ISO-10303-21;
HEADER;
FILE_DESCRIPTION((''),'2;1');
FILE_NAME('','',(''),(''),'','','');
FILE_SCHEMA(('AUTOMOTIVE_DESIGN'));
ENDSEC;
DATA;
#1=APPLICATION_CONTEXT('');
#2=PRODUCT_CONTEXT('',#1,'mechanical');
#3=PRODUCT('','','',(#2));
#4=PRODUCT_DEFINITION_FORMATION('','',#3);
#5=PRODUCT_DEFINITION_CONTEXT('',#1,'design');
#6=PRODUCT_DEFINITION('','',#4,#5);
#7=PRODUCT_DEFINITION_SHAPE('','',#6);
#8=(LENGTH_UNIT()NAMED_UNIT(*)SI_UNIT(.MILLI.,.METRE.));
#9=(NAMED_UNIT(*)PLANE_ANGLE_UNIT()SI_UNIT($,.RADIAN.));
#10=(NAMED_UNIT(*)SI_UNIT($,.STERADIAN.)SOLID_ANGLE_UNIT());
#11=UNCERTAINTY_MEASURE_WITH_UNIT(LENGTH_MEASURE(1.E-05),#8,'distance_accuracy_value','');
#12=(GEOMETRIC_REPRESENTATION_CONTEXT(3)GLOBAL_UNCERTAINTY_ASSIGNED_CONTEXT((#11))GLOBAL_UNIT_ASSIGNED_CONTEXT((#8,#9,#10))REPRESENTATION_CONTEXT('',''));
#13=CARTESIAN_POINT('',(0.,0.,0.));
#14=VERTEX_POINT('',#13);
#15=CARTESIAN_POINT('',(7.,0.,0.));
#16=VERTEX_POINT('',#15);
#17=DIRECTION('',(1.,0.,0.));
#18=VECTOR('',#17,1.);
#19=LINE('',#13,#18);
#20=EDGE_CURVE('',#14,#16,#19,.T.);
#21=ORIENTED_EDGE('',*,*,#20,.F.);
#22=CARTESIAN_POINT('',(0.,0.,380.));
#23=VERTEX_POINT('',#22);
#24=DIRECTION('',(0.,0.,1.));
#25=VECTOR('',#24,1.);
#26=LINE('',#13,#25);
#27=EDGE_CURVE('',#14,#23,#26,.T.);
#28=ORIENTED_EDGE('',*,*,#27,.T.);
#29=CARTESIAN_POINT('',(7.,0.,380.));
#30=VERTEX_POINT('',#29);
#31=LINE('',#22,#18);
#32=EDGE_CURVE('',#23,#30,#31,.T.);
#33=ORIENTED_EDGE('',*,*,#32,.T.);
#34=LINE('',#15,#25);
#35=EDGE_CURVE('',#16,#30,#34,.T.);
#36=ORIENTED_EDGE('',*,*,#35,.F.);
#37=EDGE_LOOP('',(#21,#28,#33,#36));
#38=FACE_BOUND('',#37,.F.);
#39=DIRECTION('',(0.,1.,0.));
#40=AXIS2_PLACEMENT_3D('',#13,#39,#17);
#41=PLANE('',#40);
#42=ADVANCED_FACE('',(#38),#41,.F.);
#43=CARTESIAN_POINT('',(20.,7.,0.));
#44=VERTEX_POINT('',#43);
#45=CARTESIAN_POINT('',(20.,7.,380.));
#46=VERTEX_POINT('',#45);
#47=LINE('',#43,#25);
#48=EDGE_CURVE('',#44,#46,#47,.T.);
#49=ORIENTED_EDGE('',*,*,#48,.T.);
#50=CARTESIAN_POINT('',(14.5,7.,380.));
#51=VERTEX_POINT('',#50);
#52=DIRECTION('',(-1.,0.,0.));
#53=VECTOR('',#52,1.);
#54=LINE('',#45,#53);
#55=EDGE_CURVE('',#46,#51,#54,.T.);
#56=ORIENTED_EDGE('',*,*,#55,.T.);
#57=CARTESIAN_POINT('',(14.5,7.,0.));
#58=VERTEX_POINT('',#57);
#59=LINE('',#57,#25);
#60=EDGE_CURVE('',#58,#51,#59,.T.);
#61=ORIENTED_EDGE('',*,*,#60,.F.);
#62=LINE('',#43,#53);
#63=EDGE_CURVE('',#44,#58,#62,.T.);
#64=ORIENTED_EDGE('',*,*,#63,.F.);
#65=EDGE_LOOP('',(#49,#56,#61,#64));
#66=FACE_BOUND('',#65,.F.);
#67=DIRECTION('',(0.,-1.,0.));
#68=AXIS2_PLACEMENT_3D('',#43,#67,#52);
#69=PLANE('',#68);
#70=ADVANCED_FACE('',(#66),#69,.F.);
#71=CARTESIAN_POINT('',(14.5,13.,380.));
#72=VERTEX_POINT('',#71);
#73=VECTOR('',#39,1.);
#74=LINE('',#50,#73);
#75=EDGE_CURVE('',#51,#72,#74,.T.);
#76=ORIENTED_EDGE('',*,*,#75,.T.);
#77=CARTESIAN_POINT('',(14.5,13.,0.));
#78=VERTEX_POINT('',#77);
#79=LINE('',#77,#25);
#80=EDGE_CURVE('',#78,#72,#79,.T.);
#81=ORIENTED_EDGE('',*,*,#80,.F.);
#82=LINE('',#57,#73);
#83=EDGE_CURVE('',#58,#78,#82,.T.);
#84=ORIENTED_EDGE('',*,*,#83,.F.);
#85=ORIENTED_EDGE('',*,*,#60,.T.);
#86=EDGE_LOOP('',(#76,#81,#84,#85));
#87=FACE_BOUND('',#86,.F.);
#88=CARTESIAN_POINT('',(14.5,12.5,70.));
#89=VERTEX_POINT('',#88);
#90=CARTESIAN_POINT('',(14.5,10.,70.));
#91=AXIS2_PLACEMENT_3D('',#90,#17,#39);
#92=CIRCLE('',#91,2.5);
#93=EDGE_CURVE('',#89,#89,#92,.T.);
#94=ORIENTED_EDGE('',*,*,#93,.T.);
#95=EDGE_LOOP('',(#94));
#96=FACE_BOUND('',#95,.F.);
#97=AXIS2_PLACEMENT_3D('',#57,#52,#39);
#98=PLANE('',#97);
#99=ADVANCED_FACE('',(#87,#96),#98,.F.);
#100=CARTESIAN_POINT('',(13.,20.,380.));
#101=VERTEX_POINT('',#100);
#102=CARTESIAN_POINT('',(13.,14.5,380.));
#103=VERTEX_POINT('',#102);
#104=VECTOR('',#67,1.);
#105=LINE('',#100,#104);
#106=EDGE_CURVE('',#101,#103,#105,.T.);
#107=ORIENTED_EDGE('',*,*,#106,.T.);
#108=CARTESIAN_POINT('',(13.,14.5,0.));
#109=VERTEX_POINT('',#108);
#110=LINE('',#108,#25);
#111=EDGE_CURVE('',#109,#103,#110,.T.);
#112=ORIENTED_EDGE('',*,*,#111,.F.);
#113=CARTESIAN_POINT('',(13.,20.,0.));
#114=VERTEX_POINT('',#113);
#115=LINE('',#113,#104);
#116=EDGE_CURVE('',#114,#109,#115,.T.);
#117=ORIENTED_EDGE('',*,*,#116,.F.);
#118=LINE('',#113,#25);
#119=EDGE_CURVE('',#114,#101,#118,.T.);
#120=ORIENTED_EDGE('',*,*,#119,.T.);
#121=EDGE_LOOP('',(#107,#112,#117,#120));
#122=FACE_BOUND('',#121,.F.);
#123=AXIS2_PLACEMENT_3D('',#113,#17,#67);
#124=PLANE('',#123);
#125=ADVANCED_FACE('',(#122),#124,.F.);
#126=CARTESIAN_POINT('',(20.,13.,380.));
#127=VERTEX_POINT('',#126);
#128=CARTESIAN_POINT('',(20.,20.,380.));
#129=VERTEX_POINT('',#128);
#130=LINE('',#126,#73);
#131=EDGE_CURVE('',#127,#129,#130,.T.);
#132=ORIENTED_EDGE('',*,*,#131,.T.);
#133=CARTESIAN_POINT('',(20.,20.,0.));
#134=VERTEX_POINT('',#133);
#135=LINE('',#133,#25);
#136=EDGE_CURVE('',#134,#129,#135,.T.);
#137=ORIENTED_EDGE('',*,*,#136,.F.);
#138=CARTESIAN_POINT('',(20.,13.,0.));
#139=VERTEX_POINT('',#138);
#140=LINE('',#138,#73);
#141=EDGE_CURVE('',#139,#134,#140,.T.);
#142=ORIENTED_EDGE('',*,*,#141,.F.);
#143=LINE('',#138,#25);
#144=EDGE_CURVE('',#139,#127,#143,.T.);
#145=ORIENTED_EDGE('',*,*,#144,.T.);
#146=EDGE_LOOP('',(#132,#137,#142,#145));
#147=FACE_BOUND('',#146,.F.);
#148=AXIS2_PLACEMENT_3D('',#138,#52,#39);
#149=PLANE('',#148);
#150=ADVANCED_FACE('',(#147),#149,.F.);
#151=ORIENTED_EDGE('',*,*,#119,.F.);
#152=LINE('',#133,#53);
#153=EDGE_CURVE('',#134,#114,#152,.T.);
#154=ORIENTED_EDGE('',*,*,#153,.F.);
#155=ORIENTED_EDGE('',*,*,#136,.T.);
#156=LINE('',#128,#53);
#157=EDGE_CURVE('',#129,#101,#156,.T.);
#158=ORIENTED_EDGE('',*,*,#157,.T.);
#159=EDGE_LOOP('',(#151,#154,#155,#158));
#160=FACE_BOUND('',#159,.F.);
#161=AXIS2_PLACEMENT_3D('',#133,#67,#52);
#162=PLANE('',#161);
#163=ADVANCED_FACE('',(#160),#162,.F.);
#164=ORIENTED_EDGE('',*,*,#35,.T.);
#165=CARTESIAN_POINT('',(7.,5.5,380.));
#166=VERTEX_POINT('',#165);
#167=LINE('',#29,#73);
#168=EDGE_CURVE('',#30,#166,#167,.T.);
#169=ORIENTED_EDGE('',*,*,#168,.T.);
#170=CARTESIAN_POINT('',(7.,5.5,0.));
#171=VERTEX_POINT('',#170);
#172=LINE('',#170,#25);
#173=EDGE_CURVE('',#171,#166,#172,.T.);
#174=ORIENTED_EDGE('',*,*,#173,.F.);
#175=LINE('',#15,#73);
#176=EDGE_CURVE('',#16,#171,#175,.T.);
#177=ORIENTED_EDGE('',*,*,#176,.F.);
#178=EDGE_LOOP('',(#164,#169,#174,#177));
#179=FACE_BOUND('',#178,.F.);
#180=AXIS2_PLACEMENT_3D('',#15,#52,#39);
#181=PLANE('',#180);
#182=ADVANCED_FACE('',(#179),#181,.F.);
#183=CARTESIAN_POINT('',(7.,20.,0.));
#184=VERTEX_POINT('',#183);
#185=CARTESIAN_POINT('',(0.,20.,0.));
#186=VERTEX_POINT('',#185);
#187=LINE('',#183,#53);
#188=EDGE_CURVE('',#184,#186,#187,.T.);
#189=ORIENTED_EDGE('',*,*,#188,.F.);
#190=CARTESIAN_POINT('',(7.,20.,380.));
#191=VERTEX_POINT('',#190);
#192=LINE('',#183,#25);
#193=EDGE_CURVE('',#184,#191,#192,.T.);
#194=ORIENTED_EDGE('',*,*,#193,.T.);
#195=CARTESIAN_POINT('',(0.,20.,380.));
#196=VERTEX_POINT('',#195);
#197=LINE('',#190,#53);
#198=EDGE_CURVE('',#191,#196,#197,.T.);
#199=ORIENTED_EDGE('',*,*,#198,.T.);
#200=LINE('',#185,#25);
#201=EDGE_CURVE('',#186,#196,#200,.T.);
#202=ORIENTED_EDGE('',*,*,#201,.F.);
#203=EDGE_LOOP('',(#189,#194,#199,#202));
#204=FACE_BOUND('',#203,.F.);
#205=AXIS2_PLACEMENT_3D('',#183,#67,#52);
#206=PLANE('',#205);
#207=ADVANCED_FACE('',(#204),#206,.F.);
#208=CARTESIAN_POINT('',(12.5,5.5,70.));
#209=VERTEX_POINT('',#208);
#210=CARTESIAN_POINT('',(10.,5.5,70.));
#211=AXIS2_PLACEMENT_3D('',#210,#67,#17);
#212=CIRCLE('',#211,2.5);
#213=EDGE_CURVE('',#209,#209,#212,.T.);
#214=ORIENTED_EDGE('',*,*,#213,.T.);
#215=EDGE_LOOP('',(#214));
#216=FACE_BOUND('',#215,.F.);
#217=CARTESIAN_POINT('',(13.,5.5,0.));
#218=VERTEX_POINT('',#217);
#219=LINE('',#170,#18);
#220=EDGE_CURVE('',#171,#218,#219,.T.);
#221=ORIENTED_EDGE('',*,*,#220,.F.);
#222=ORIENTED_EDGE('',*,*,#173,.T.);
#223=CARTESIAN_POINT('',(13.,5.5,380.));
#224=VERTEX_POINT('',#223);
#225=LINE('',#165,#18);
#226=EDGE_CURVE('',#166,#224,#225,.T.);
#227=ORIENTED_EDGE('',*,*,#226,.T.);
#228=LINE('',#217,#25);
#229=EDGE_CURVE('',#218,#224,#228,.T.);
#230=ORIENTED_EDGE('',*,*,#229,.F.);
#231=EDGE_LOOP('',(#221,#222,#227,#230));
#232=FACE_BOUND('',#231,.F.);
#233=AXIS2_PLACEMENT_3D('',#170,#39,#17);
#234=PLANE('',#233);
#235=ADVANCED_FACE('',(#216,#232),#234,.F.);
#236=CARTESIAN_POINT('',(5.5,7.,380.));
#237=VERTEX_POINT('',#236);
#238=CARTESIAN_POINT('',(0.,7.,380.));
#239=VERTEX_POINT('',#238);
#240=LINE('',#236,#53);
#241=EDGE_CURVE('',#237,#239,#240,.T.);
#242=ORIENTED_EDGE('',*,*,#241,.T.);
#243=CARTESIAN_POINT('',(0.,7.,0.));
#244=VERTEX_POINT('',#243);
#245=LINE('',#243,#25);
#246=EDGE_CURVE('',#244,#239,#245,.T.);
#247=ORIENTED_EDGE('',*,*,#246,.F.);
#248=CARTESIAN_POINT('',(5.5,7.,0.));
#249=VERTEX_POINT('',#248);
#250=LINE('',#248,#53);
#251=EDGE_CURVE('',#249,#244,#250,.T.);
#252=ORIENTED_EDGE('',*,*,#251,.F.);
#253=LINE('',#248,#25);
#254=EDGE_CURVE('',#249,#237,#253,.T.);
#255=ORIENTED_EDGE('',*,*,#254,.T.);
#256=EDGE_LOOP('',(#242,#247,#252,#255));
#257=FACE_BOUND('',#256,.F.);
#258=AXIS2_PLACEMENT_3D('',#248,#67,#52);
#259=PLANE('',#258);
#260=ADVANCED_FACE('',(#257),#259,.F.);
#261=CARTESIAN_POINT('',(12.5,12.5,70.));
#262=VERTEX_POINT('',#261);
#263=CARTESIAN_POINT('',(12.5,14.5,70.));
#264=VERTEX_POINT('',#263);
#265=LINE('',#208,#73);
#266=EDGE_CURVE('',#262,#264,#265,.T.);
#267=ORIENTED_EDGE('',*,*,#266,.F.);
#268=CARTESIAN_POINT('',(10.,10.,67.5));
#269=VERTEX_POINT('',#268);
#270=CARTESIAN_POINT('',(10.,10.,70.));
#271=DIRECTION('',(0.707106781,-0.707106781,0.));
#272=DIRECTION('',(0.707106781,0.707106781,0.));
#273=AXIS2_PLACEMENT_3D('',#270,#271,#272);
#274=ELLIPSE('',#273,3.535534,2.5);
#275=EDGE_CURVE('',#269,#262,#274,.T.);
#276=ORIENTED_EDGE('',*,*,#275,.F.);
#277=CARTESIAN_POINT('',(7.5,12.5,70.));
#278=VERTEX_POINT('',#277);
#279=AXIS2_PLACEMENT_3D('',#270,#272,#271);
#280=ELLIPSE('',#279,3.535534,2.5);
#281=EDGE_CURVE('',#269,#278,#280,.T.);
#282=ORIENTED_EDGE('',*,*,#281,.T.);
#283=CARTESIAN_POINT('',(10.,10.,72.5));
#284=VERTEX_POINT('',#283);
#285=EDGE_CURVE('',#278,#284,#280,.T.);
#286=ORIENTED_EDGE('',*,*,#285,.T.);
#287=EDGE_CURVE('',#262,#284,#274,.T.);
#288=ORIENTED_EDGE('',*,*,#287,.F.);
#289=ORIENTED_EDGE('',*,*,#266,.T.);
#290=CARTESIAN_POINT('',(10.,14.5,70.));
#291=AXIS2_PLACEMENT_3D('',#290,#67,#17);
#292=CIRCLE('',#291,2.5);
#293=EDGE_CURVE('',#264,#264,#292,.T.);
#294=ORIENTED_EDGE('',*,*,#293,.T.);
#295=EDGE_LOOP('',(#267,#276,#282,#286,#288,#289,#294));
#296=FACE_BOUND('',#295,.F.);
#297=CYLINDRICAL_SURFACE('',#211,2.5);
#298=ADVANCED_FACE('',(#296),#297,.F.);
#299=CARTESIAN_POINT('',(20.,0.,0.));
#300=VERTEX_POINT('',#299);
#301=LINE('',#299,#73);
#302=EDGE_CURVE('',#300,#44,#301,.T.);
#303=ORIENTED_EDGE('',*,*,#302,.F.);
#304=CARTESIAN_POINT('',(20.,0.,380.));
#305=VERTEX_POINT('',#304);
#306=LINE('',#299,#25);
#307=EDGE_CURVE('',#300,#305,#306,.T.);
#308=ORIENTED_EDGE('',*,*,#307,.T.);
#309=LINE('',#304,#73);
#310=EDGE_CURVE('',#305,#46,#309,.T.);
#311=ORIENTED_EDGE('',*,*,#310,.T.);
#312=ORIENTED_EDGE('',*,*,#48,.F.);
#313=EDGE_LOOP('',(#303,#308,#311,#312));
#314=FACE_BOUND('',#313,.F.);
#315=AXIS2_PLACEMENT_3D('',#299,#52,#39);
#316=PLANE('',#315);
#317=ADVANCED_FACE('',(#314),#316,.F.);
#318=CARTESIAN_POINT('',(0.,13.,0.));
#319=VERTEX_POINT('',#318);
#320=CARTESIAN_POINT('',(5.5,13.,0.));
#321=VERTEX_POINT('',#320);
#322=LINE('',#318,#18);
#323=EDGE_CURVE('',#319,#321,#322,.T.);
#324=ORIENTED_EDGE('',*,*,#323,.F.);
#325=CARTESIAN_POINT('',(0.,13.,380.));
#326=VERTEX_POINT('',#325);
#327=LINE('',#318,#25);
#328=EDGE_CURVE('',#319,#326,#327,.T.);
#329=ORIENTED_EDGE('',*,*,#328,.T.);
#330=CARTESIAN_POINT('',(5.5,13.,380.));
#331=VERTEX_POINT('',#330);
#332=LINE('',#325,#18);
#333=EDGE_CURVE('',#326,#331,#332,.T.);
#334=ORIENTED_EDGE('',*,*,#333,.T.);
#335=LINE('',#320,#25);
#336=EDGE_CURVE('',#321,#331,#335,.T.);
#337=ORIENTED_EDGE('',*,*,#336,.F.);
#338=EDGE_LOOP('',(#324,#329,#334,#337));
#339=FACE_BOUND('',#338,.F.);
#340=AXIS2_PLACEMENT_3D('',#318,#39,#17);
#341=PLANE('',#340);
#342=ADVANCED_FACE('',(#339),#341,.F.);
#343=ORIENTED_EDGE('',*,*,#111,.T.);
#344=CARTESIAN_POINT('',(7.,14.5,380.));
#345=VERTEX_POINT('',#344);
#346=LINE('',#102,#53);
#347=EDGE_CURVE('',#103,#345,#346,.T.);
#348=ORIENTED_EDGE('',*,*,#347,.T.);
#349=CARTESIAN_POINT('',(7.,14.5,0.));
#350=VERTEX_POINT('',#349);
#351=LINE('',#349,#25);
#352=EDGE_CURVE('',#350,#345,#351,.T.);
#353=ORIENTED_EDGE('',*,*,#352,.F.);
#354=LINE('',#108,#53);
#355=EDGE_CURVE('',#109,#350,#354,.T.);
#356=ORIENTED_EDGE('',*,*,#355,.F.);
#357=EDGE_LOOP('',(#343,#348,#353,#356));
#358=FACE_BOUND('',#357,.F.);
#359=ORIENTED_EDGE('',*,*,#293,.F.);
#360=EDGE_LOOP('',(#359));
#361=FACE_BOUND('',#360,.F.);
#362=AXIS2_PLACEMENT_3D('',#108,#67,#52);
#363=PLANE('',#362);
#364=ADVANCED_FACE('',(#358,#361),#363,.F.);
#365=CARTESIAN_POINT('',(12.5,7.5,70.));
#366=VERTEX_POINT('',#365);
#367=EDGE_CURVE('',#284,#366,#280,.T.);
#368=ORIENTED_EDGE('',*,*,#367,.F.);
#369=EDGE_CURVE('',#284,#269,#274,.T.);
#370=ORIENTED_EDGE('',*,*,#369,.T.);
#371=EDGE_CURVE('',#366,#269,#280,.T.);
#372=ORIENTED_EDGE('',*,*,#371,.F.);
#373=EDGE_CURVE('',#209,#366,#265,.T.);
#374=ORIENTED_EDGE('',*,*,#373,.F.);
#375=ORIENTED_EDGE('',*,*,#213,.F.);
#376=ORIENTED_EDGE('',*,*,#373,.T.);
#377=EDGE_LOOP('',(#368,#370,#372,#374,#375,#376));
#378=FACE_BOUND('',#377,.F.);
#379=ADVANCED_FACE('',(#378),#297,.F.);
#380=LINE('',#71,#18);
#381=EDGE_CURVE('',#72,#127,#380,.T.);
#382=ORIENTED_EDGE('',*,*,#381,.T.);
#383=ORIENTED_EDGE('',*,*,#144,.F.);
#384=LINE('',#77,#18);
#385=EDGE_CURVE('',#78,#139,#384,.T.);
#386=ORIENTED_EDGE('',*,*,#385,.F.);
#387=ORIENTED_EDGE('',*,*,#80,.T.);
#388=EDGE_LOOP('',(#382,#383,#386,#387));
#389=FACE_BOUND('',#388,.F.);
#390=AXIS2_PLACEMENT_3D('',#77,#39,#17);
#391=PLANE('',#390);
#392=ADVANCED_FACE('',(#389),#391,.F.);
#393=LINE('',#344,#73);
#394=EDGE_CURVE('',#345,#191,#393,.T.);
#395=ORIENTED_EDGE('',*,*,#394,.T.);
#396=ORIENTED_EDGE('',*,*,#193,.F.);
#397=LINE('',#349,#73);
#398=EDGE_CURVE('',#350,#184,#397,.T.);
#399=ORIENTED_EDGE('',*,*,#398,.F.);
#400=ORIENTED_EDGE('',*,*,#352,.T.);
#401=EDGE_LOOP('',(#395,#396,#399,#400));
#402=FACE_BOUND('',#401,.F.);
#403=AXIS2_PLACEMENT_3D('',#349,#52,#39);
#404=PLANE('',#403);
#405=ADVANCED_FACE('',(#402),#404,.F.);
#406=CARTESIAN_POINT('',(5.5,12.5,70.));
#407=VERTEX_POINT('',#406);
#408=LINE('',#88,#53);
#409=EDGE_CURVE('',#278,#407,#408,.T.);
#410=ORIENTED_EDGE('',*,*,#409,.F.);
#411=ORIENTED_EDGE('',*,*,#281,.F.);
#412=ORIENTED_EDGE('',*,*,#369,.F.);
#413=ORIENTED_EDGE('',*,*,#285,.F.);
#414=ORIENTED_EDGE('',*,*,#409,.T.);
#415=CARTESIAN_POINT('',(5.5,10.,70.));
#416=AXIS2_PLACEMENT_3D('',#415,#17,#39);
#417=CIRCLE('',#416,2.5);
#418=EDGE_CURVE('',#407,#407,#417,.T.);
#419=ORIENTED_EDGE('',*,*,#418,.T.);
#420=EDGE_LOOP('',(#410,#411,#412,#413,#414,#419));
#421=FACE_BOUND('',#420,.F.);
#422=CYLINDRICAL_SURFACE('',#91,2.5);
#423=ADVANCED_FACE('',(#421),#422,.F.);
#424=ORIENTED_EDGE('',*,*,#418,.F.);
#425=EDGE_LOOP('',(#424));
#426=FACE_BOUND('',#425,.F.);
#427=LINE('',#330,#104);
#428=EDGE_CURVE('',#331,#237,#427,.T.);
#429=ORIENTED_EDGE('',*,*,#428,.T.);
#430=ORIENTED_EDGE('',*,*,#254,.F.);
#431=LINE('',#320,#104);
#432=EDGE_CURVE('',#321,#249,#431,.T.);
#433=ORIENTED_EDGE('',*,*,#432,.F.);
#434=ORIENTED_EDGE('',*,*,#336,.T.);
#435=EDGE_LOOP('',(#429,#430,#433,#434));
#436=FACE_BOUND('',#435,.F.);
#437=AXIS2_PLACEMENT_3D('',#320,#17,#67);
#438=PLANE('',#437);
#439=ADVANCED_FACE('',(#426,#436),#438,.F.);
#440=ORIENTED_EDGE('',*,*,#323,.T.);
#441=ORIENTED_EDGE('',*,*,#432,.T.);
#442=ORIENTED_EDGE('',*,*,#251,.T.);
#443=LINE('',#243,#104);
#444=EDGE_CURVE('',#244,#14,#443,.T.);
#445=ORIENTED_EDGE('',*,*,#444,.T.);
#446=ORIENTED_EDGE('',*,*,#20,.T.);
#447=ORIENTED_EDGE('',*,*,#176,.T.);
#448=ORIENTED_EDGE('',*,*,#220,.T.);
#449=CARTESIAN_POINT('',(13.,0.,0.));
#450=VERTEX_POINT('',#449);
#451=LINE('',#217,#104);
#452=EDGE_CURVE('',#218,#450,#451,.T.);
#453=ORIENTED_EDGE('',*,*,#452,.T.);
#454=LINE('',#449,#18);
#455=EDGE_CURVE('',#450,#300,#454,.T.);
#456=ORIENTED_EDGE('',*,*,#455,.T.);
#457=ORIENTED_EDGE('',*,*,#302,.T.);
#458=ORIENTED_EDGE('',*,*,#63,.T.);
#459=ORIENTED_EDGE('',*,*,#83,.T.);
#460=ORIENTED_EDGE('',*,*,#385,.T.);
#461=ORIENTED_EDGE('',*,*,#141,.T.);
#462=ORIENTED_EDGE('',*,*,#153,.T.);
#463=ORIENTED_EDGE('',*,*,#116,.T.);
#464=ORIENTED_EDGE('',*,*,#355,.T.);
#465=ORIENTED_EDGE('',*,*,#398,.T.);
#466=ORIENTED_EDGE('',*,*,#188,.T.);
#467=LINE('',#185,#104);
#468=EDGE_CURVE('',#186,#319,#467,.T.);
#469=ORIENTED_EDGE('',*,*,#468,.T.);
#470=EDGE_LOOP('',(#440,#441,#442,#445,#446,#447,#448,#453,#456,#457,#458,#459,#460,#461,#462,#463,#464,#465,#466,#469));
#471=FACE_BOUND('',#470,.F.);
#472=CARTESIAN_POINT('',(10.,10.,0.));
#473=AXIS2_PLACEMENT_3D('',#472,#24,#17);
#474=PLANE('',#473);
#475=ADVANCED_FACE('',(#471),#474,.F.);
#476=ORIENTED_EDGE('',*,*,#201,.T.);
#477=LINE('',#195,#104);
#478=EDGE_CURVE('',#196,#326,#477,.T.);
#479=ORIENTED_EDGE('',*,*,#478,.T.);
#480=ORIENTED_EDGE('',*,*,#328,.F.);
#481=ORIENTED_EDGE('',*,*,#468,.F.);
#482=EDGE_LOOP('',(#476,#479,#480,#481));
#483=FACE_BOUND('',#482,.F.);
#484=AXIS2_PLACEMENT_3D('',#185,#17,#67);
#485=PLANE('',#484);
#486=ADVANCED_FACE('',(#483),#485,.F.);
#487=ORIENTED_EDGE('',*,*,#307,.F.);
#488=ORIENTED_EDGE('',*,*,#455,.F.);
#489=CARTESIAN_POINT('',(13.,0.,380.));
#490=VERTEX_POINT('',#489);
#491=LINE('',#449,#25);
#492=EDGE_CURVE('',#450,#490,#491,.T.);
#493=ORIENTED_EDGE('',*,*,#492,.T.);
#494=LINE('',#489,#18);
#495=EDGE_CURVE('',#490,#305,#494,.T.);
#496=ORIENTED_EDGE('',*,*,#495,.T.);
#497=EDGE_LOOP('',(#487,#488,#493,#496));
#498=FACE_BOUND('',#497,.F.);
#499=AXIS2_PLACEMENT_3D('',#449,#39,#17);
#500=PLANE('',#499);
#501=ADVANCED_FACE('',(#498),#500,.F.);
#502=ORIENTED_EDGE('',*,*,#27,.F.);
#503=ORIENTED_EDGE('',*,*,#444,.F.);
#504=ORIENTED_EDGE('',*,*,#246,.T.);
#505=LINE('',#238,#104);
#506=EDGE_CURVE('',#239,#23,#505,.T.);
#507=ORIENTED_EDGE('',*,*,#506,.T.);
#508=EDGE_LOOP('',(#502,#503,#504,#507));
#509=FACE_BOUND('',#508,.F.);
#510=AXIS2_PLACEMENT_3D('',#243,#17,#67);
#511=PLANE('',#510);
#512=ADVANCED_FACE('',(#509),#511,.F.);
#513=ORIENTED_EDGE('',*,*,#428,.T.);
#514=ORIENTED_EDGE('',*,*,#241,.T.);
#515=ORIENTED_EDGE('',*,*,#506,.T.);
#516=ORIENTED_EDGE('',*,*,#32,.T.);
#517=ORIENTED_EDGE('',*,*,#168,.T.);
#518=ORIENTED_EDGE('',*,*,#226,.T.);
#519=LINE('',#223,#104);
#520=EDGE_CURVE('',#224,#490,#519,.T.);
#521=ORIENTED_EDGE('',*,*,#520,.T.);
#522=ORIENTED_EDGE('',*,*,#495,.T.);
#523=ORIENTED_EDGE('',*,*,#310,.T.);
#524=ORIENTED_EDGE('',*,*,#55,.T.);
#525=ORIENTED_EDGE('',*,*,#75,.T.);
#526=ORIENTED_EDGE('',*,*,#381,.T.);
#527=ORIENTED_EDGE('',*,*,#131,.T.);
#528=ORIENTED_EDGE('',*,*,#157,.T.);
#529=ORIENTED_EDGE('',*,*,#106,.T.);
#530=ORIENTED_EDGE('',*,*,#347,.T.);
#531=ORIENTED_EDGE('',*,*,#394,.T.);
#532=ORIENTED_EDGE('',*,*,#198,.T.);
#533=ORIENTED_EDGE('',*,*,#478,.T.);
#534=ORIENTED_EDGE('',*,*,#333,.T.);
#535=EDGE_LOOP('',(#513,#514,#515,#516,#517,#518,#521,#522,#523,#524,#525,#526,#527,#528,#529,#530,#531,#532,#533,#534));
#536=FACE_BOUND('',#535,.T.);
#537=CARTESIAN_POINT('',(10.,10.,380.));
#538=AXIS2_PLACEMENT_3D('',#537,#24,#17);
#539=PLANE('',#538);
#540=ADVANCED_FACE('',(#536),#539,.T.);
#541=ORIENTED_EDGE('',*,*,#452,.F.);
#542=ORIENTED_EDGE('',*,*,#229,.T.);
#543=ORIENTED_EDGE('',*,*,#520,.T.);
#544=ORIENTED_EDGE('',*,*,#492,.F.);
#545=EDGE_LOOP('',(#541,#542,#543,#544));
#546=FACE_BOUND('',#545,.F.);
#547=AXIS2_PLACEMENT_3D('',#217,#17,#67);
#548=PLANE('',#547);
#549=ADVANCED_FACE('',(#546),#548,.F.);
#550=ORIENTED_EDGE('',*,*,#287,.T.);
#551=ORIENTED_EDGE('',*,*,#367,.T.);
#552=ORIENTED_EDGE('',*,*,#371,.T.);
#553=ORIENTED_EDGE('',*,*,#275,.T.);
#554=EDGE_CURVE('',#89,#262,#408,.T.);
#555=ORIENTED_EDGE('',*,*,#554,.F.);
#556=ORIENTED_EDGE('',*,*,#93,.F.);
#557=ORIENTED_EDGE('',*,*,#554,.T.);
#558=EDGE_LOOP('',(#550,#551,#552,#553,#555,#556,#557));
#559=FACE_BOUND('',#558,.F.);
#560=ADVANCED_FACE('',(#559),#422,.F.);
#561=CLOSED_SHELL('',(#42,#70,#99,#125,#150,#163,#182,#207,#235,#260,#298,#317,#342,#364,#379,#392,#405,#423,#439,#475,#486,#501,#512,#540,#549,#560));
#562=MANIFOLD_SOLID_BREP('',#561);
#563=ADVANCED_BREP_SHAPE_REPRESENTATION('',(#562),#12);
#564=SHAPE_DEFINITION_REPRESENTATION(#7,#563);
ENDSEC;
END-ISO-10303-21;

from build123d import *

# Parameters (mm, degrees)
F1_DEPTH = 380
F2_R     = 2.5
F3_DEPTH = 25
F4_R     = 2.5
F5_DEPTH = 25


with BuildPart() as f1:
    # F0 (on Top) → F1 (new body)
    with BuildSketch(Plane.XY):
        Polygon((0, 7), (0, 0), (7, 0), (7, 5.5), (13, 5.5), (13, 0), (20, 0), (20, 7), (14.5, 7), (14.5, 13), (20, 13), (20, 20), (13, 20), (13, 14.5), (7, 14.5), (7, 20), (0, 20), (0, 13), (5.5, 13), (5.5, 7), align=None)
    extrude(amount=F1_DEPTH)

    # F2 (on face) → F3 (cut)
    with BuildSketch(Plane.YZ.offset(14.5)):
        with Locations((10, 70)):
            Circle(F2_R)
    extrude(amount=-F3_DEPTH, mode=Mode.SUBTRACT)

    # F4 (on face) → F5 (cut)
    with BuildSketch(Plane.XZ.offset(-5.5)):
        with Locations((10, 70)):
            Circle(F4_R)
    extrude(amount=-F5_DEPTH, mode=Mode.SUBTRACT)


solid = f1.part
